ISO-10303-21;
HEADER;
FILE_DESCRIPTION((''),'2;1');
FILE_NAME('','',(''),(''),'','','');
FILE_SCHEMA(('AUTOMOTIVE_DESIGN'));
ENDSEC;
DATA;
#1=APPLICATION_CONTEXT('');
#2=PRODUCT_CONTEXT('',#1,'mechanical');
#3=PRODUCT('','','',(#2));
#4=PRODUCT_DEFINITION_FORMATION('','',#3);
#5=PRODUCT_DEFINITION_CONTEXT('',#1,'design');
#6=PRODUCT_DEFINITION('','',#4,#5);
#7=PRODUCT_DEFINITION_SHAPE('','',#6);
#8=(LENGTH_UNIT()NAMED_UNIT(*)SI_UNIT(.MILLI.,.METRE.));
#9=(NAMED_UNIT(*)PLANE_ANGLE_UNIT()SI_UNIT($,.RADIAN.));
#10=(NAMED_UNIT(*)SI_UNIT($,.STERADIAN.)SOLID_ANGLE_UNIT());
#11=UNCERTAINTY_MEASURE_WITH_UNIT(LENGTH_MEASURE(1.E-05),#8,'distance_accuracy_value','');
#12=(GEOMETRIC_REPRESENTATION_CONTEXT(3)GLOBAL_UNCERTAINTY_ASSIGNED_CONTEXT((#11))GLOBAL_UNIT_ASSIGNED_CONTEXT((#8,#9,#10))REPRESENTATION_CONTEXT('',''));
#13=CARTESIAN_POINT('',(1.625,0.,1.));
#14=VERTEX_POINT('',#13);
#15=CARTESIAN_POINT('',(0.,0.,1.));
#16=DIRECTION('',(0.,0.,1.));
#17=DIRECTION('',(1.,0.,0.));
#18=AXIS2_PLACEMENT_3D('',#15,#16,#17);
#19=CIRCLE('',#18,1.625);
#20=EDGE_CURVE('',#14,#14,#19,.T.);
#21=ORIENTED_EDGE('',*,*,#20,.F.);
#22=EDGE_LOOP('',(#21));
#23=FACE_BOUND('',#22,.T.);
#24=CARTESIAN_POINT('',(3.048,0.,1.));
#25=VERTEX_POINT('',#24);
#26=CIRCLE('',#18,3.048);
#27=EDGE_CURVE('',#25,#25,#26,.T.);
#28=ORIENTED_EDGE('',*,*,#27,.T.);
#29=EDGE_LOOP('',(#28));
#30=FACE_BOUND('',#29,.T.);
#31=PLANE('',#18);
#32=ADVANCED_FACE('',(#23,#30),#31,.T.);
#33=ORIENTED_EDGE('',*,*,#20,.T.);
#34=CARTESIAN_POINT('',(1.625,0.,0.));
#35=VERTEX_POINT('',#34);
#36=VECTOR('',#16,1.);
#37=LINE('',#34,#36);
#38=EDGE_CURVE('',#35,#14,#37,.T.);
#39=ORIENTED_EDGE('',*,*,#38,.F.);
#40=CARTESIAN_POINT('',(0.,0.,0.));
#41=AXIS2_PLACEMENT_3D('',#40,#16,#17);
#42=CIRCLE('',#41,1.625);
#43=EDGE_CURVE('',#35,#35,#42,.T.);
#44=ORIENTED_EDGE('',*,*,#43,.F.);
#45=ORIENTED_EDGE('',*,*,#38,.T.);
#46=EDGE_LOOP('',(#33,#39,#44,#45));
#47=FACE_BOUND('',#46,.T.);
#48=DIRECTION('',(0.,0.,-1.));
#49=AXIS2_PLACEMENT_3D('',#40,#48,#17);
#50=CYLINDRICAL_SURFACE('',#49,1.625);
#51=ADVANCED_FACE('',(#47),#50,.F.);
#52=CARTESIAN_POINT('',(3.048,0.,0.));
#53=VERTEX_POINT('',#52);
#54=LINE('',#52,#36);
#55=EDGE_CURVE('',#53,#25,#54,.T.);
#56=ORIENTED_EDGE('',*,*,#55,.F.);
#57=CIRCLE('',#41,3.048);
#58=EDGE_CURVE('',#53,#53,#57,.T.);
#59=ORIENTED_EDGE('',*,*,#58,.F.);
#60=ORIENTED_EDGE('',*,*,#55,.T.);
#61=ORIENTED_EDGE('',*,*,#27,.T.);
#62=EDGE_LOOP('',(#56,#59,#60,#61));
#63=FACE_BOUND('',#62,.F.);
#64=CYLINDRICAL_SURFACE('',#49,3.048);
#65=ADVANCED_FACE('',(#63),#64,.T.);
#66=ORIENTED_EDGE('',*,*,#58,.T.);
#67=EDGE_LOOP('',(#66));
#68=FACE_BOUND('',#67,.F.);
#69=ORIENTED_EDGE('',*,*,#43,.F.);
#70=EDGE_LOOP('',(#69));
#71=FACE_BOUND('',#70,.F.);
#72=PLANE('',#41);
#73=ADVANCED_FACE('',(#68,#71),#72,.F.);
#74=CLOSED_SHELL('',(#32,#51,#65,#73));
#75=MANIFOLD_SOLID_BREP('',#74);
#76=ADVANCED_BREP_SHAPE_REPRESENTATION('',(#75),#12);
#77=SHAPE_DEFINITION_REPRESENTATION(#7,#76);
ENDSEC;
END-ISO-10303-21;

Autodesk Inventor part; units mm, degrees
ref_plane "YZ Plane" through (0, 0, 0) normal (1, 0, 0) x (0, 1, 0)
ref_plane "XZ Plane" through (0, 0, 0) normal (0, 1, 0) x (-1, 0, 0)
ref_plane "XY Plane" through (0, 0, 0) normal (0, 0, 1) x (1, 0, 0)
sketch "Sketch1" plane through (0, 0, 0) normal (0, 0, 1) x (1, 0, 0)
  circle A0 centre (0, 0) radius 3.048
  circle A1 centre (0, 0) radius 1.625
  dimension "d0" = 6.096
  dimension "d1" = 3.25
extrude "Extrusion1" add sketch "Sketch1" along normal blind 1
properties part number "washer_m3_r01"
